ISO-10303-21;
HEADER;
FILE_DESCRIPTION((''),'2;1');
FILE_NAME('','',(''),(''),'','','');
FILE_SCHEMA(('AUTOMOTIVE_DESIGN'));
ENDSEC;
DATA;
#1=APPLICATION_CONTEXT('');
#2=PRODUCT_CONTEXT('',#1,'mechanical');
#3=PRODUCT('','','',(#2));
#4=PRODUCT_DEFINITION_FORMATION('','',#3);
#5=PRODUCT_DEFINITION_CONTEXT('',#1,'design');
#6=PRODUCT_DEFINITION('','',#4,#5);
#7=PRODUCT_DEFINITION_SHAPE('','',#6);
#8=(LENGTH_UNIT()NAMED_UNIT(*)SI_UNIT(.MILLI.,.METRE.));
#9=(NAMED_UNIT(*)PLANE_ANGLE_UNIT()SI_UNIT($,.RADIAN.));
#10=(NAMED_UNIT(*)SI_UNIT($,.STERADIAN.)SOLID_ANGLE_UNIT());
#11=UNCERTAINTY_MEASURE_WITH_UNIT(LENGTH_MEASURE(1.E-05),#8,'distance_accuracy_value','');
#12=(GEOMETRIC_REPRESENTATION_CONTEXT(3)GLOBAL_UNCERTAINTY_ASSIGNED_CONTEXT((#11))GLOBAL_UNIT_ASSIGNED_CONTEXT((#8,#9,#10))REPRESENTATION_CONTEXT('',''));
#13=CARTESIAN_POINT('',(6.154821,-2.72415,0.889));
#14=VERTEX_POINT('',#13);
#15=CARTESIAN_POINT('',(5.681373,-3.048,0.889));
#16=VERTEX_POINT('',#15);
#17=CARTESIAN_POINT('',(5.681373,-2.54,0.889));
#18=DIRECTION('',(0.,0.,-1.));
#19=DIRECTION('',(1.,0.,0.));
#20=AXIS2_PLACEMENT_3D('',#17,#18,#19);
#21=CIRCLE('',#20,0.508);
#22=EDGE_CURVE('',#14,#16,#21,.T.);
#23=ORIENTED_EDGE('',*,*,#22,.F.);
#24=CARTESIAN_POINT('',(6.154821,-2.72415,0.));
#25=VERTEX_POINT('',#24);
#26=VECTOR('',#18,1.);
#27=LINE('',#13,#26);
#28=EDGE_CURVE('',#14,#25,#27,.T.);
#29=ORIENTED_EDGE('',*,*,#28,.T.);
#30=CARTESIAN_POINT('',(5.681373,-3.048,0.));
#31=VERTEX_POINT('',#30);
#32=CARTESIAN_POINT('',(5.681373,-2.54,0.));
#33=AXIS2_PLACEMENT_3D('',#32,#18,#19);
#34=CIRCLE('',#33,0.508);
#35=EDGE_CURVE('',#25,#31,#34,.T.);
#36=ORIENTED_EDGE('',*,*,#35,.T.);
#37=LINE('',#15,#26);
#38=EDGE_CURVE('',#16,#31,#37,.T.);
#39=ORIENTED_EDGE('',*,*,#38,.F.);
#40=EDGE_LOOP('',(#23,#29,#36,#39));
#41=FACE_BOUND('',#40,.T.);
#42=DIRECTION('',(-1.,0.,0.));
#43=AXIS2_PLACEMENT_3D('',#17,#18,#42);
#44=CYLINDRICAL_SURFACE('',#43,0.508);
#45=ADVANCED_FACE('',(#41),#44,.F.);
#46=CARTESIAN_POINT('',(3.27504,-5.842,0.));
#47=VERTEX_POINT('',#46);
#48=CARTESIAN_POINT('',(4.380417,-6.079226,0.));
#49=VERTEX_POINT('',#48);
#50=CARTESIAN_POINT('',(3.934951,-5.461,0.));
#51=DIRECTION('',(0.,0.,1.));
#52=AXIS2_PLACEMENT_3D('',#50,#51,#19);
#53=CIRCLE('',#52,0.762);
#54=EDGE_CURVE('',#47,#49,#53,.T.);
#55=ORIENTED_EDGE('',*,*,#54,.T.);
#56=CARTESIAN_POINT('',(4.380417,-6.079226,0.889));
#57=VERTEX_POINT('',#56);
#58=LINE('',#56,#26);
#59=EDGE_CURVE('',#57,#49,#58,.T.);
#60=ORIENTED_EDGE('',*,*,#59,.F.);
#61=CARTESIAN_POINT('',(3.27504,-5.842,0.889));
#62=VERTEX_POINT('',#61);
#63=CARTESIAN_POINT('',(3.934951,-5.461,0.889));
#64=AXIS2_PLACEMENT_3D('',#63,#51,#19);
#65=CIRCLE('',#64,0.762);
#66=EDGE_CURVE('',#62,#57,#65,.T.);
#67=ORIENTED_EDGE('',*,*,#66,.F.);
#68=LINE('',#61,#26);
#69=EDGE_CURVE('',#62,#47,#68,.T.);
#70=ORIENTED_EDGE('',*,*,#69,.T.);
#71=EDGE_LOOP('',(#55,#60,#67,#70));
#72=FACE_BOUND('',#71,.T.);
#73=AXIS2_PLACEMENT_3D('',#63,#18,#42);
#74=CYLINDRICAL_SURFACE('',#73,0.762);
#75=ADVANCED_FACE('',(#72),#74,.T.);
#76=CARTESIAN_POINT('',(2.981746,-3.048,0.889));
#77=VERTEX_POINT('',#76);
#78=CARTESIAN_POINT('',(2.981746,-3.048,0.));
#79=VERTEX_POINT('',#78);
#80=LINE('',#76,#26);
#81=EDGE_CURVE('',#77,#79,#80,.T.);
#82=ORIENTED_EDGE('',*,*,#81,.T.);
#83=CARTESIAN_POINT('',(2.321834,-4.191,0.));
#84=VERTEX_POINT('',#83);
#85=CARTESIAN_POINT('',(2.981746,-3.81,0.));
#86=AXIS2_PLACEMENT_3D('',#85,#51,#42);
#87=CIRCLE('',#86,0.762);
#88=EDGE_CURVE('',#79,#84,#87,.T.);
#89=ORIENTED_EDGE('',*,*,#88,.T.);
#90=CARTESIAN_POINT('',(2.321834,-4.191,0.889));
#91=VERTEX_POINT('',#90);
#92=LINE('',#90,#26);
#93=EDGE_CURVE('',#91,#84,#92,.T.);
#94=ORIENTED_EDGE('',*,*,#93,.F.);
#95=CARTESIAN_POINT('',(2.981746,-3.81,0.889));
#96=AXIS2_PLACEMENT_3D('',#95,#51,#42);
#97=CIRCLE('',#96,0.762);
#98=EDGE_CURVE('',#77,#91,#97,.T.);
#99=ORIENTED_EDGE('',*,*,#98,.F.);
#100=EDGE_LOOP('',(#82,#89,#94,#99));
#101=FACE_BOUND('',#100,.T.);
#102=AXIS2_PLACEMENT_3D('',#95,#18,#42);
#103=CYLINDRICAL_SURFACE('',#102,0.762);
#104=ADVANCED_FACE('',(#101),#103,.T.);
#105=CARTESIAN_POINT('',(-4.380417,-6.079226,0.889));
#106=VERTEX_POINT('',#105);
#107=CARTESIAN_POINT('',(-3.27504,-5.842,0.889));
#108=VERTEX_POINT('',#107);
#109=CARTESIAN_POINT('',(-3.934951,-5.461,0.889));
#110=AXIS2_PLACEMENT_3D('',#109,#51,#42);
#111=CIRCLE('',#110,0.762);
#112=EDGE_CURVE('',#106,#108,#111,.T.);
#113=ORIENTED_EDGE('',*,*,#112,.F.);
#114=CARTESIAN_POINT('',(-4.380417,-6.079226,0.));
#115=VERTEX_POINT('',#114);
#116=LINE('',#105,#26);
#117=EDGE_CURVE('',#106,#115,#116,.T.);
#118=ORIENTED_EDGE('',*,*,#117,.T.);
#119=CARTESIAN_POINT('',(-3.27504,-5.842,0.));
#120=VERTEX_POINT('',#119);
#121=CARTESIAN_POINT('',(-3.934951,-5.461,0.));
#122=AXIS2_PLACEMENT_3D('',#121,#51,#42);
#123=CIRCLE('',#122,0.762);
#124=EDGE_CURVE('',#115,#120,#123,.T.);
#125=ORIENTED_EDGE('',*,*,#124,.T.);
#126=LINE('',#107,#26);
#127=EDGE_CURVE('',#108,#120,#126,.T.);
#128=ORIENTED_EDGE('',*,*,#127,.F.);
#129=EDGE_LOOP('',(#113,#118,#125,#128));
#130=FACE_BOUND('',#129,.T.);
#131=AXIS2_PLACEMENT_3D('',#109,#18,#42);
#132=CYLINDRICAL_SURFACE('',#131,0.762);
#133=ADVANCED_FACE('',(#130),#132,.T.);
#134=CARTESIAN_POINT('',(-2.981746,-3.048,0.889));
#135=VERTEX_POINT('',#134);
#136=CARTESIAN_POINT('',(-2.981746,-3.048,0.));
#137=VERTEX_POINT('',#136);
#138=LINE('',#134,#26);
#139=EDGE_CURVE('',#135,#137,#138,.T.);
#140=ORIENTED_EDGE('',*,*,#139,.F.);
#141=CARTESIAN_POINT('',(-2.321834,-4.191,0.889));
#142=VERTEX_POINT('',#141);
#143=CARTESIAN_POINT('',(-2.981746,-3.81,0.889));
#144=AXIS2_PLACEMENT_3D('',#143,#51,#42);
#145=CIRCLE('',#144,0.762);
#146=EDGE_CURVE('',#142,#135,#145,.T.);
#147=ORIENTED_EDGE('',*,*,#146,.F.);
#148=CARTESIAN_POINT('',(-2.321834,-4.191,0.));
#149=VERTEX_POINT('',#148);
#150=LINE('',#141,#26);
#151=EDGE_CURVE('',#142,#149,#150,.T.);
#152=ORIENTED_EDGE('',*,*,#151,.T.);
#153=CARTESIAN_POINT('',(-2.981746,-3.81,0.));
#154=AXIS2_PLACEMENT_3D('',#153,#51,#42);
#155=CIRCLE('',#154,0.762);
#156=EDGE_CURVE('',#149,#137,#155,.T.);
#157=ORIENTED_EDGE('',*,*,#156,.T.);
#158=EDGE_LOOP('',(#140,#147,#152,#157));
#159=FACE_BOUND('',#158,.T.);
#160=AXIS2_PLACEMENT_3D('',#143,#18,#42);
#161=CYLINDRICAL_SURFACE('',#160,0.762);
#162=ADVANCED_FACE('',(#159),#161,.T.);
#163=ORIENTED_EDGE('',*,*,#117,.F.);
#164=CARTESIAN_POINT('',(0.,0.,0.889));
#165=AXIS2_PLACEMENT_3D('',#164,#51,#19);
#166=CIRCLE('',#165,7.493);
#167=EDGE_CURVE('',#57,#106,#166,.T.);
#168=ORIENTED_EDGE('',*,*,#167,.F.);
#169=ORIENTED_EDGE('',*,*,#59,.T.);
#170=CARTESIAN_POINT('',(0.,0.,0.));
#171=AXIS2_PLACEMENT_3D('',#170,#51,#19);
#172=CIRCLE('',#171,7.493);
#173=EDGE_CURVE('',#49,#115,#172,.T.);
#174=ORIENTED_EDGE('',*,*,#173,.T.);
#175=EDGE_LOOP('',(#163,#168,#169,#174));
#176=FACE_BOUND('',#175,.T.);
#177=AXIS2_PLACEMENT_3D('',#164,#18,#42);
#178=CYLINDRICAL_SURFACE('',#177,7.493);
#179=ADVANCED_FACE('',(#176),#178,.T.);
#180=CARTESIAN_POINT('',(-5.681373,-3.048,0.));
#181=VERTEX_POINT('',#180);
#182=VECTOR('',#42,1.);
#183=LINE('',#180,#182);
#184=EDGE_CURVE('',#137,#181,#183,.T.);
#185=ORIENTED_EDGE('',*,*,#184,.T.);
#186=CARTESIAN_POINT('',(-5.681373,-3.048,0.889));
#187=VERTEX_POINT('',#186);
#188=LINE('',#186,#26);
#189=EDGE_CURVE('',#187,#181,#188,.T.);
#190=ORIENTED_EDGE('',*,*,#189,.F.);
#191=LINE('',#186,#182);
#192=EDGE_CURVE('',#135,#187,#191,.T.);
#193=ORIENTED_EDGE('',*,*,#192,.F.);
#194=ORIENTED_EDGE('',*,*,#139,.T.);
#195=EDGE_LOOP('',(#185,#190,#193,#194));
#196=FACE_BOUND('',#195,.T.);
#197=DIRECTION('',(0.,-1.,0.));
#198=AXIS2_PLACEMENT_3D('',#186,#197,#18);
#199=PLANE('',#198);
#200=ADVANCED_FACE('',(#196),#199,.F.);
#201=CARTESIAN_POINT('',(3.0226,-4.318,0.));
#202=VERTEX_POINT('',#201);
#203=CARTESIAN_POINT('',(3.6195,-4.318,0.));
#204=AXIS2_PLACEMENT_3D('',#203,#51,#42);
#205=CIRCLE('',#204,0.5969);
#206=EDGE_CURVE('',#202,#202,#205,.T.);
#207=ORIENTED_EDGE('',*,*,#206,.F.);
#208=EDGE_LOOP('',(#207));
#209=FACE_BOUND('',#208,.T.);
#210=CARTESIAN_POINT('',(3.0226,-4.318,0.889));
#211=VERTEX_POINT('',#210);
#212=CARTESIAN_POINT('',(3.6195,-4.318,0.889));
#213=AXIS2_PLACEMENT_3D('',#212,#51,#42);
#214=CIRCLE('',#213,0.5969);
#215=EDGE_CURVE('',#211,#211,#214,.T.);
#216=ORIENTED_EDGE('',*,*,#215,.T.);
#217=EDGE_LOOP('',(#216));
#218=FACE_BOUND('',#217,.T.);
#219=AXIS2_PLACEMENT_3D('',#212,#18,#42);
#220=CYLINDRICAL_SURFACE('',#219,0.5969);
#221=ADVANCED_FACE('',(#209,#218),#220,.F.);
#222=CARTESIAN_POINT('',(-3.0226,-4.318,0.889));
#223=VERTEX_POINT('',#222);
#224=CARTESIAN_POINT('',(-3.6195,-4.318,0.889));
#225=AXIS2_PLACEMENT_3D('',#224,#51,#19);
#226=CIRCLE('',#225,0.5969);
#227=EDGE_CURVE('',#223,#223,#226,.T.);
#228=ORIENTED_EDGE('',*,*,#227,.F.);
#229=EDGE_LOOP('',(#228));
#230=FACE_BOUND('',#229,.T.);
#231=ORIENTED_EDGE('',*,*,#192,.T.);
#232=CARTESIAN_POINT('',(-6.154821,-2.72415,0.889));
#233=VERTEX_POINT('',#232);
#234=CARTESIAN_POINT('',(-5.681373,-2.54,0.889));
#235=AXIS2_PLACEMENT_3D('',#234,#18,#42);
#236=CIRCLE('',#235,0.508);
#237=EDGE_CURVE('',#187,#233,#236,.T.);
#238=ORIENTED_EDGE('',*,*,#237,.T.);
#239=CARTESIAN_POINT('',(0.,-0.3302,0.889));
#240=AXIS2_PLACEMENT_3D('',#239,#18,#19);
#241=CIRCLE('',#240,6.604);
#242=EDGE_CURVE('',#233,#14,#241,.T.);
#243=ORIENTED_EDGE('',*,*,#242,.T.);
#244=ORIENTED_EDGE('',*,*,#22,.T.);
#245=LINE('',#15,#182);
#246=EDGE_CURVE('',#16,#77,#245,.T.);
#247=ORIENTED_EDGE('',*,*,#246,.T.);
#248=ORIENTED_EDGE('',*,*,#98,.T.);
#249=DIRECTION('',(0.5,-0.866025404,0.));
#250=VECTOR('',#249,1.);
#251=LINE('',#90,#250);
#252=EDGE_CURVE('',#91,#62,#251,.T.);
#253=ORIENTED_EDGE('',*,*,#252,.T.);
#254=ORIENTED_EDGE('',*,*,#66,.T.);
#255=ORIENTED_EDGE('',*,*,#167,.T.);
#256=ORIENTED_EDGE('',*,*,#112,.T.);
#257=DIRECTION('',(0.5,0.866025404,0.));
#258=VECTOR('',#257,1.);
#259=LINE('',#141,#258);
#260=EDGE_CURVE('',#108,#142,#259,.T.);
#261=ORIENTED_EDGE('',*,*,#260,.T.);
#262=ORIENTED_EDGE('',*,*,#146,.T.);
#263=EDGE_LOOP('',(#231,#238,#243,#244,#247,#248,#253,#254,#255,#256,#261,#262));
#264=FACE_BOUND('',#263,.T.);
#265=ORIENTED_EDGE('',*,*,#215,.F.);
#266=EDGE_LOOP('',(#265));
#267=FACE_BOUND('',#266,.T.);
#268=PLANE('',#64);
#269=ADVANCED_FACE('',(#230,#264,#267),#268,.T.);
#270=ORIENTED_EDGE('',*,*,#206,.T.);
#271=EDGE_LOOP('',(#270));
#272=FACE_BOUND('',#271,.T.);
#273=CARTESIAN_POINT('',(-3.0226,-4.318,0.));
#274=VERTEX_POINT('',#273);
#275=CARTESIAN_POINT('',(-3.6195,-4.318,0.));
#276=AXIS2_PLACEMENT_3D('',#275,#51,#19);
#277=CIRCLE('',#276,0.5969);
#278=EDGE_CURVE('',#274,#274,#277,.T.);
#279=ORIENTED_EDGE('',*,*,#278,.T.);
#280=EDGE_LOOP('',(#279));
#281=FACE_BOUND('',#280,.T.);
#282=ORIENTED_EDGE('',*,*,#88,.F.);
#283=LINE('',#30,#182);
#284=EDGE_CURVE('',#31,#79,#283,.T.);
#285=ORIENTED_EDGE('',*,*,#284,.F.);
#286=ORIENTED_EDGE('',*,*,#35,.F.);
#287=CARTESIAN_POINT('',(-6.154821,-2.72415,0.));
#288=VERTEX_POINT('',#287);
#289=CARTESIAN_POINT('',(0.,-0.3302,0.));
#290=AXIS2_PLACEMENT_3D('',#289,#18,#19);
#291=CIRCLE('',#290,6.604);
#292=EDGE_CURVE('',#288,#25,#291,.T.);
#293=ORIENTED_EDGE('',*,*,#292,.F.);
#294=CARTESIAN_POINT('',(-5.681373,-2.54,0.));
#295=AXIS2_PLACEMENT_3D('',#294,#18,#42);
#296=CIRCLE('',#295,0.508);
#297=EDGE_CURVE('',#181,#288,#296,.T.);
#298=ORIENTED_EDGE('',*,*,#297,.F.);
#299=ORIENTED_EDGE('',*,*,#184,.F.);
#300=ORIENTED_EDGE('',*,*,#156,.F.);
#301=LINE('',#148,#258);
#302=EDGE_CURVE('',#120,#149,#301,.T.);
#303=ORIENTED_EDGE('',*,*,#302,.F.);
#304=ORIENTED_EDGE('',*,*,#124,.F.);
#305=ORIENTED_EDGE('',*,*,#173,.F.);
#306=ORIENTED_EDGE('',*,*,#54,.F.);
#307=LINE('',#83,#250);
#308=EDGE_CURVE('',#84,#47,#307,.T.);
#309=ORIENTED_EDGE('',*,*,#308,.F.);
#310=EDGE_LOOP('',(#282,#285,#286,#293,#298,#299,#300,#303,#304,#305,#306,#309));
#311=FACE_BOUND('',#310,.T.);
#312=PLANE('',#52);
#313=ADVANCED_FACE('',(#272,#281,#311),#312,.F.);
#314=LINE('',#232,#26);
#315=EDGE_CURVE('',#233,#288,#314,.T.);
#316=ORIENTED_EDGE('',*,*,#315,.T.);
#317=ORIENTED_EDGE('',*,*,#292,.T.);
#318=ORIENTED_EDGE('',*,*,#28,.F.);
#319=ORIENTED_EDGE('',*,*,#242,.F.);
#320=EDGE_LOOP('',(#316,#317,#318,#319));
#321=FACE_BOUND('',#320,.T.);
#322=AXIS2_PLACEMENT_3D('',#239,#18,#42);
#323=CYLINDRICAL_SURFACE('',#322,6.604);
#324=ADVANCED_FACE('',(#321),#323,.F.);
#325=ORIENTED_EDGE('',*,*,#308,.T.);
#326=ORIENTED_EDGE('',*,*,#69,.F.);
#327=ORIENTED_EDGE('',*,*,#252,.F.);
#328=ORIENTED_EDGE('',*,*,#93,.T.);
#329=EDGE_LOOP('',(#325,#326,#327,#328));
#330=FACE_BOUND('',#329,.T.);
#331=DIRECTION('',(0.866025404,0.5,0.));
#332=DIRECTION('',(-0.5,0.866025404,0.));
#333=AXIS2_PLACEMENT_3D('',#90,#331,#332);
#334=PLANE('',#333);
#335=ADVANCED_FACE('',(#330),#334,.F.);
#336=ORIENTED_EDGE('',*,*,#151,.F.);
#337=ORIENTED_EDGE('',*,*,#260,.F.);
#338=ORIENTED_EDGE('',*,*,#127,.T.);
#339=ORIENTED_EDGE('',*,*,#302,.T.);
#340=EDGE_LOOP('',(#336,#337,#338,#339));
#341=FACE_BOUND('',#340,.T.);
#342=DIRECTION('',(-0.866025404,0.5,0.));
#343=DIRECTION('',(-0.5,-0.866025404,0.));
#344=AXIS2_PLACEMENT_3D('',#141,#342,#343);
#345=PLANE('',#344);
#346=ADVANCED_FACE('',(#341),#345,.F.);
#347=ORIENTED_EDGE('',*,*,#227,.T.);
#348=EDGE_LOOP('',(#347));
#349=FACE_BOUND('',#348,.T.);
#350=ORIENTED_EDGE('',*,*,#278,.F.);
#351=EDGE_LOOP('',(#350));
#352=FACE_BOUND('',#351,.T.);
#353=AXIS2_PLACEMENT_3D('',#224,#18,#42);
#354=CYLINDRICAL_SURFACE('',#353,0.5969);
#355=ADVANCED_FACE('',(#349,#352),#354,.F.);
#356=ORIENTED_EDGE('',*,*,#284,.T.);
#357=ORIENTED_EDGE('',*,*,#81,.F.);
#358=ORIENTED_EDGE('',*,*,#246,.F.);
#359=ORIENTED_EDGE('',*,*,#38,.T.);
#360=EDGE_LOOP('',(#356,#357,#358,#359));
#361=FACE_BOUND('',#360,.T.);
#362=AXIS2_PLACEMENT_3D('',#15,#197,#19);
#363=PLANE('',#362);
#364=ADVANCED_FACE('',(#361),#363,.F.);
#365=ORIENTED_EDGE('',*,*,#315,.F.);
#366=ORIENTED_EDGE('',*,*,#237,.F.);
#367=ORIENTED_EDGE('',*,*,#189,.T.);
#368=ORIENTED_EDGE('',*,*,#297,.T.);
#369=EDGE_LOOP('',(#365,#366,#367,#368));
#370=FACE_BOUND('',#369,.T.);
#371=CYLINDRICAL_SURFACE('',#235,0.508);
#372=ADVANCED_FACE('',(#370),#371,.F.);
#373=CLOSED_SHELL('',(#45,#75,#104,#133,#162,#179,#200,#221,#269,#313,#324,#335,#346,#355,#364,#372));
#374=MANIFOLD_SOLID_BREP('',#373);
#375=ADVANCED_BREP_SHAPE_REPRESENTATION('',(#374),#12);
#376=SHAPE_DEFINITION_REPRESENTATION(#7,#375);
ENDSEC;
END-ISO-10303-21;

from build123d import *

# Parameters (mm, degrees)
SKETCH1_R           = 0.5969
BOSS_EXTRUDE1_DEPTH = 0.889


with BuildPart() as part:
    # Sketch1 → Boss-Extrude1 (new body)
    with BuildSketch(Plane.XY):
        with BuildLine():
            Line((-5.68137307, -3.048), (-2.981745785, -3.048))
            ThreePointArc((-2.981745785, -3.048), (-2.321834428, -3.429), (-2.321834428, -4.191))
            Line((-2.321834428, -4.191), (-3.275039722, -5.842))
            ThreePointArc((-3.275039722, -5.842), (-3.775058057, -6.206035718), (-4.38041724, -6.079226415))
            ThreePointArc((-4.38041724, -6.079226415), (0, 7.493), (4.38041724, -6.079226415))
            ThreePointArc((4.38041724, -6.079226415), (3.775058057, -6.206035718), (3.275039722, -5.842))
            Line((3.275039722, -5.842), (2.321834428, -4.191))
            ThreePointArc((2.321834428, -4.191), (2.321834428, -3.429), (2.981745785, -3.048))
            Line((2.981745785, -3.048), (5.68137307, -3.048))
            ThreePointArc((5.68137307, -3.048), (5.968179451, -2.95929238), (6.154820826, -2.72415))
            ThreePointArc((6.154820826, -2.72415), (0, 6.2738), (-6.154820826, -2.72415))
            ThreePointArc((-6.154820826, -2.72415), (-5.968179451, -2.95929238), (-5.68137307, -3.048))
        make_face()
        with Locations((-3.6195, -4.318)):
            Circle(SKETCH1_R, mode=Mode.SUBTRACT)
        with Locations(Location((3.6195, -4.318, 0), (0, 0, 180))):
            Circle(SKETCH1_R, mode=Mode.SUBTRACT)
    extrude(amount=BOSS_EXTRUDE1_DEPTH)


solid = part.part
